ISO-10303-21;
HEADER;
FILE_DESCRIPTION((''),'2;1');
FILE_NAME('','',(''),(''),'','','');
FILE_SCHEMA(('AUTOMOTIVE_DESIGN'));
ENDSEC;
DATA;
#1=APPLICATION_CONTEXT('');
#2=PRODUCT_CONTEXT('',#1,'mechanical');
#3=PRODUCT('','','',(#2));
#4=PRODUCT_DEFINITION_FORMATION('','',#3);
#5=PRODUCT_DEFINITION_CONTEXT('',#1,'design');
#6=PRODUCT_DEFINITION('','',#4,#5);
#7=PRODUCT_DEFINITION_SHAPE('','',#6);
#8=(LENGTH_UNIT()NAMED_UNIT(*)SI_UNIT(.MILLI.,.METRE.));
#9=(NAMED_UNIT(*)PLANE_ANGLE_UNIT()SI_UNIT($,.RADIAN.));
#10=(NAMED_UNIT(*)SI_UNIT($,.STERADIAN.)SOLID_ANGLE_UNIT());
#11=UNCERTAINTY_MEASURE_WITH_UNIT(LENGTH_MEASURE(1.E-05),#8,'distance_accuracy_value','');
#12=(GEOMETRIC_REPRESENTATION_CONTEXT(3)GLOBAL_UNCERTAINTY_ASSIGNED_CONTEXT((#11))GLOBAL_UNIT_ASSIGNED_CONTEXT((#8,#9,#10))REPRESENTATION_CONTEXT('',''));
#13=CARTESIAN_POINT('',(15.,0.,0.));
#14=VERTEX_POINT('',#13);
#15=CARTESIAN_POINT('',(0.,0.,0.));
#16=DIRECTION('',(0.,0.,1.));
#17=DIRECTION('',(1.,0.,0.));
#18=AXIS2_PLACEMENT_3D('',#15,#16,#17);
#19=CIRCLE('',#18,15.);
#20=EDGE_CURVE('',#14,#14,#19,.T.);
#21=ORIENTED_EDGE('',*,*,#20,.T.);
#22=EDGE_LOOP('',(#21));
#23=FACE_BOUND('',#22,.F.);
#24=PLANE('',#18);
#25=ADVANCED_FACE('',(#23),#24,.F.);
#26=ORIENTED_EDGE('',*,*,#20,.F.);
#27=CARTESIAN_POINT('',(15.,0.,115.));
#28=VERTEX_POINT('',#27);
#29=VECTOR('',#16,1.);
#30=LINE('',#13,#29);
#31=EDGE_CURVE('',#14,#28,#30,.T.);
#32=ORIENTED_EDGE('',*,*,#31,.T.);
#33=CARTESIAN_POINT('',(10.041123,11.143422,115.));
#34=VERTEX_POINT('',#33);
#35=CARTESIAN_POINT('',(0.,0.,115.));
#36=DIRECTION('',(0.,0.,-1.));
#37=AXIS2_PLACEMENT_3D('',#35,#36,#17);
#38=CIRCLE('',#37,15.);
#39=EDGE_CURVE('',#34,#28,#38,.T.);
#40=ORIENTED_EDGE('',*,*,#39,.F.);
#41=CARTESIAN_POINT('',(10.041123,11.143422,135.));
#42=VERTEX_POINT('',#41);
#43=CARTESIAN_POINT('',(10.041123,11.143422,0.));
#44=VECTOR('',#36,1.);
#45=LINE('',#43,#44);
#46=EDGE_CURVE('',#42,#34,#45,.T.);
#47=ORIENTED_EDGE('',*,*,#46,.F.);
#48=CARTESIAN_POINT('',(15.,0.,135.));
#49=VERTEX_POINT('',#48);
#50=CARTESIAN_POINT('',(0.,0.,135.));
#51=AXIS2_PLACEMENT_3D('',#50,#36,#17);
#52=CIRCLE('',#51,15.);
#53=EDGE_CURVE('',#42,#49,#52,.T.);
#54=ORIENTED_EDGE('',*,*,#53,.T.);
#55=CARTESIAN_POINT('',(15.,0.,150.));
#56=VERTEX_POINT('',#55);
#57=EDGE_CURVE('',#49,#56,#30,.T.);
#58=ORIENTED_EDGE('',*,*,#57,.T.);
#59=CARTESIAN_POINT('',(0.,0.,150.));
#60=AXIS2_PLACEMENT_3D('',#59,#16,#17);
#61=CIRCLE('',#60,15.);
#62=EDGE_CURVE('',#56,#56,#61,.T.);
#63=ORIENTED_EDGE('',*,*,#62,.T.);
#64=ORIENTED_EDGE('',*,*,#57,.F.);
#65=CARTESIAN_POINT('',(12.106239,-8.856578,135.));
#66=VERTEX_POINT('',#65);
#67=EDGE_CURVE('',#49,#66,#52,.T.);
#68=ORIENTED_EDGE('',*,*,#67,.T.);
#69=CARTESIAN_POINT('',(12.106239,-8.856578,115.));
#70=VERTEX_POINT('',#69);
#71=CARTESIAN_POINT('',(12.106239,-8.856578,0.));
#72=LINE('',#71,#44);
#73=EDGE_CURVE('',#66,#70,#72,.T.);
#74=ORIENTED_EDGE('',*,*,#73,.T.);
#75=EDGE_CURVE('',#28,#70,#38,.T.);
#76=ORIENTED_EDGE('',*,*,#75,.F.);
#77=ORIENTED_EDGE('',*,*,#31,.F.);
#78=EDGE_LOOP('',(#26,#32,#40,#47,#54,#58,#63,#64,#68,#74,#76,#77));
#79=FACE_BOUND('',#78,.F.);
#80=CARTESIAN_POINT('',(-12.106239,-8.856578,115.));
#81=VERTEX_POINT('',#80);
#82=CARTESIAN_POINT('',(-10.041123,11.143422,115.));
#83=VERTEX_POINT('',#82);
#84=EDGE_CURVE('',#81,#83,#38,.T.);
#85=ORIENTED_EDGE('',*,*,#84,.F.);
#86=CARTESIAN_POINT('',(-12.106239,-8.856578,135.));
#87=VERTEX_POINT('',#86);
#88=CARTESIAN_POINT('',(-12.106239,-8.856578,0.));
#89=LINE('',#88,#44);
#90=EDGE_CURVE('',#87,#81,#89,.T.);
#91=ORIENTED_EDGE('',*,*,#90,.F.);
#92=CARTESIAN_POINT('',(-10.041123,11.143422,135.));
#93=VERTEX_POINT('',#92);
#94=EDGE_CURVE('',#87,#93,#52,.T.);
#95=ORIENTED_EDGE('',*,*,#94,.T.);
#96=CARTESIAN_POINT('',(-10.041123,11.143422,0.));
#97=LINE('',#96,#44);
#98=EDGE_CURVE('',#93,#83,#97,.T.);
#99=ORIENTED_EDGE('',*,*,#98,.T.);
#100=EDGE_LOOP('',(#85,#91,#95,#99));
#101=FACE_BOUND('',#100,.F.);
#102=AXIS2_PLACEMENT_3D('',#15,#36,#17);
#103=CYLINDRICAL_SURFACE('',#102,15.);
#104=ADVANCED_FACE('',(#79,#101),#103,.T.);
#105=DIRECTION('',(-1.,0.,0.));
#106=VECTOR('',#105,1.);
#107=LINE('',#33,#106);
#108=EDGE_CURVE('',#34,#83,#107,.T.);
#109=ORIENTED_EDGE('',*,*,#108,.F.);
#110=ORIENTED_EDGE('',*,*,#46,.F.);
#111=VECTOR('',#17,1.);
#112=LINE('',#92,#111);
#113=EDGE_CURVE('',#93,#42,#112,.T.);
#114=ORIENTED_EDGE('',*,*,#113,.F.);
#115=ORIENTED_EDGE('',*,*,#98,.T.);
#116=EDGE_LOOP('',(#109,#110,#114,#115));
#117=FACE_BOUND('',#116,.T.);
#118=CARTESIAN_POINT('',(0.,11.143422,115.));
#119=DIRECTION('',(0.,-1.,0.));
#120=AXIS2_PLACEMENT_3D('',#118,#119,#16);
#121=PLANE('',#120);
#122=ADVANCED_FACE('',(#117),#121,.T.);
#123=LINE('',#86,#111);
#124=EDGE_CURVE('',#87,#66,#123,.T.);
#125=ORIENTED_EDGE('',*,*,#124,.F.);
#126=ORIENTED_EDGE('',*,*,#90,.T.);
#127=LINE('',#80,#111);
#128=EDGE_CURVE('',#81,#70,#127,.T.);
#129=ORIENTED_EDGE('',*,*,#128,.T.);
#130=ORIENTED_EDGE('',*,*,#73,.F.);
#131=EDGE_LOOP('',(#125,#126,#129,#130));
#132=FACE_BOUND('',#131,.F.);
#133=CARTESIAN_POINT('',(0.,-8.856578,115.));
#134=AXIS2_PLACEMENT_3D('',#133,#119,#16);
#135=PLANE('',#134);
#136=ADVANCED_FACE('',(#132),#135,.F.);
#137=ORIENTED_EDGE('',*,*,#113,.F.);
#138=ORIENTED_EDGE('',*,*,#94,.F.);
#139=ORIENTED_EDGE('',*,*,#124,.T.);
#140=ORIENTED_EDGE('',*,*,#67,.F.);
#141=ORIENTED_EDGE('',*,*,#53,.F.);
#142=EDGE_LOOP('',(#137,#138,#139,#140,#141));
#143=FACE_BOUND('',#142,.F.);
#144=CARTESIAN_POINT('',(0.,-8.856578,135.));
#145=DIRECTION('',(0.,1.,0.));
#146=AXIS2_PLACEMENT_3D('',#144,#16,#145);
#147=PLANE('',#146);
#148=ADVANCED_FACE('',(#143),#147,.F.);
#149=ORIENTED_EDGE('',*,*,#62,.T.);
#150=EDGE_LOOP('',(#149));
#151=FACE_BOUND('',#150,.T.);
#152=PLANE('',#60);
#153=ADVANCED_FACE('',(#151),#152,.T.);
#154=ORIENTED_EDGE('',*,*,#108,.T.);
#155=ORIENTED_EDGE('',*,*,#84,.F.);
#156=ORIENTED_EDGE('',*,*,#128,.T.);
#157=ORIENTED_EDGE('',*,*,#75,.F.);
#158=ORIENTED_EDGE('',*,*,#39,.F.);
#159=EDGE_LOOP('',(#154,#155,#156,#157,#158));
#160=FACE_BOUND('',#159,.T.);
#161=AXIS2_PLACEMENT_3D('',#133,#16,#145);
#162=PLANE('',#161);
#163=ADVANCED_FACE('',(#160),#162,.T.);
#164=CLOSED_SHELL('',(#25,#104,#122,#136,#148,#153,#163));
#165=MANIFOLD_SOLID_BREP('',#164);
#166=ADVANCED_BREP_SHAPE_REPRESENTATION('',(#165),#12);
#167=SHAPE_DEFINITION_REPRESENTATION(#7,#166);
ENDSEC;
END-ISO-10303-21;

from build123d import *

# Parameters (mm, degrees)
F0_R     = 15
F1_DEPTH = 150
F2_W     = 20
F2_H     = 20
F3_DEPTH = 25
F4_DEPTH = 25


with BuildPart() as f1:
    # F0 (on Top) → F1 (new body)
    with BuildSketch(Plane.XY):
        Circle(F0_R)
    extrude(amount=F1_DEPTH)

    # F2 (on Right) → F3 (cut)
    with BuildSketch(Plane.YZ):
        with Locations((1.143422, 125)):
            Rectangle(F2_W, F2_H)
    extrude(amount=-F3_DEPTH, mode=Mode.SUBTRACT)

    # F2 (on Right) → F4 (cut)
    with BuildSketch(Plane.YZ):
        with Locations((1.143422, 125)):
            Rectangle(F2_W, F2_H)
    extrude(amount=F4_DEPTH, mode=Mode.SUBTRACT)


solid = f1.part
